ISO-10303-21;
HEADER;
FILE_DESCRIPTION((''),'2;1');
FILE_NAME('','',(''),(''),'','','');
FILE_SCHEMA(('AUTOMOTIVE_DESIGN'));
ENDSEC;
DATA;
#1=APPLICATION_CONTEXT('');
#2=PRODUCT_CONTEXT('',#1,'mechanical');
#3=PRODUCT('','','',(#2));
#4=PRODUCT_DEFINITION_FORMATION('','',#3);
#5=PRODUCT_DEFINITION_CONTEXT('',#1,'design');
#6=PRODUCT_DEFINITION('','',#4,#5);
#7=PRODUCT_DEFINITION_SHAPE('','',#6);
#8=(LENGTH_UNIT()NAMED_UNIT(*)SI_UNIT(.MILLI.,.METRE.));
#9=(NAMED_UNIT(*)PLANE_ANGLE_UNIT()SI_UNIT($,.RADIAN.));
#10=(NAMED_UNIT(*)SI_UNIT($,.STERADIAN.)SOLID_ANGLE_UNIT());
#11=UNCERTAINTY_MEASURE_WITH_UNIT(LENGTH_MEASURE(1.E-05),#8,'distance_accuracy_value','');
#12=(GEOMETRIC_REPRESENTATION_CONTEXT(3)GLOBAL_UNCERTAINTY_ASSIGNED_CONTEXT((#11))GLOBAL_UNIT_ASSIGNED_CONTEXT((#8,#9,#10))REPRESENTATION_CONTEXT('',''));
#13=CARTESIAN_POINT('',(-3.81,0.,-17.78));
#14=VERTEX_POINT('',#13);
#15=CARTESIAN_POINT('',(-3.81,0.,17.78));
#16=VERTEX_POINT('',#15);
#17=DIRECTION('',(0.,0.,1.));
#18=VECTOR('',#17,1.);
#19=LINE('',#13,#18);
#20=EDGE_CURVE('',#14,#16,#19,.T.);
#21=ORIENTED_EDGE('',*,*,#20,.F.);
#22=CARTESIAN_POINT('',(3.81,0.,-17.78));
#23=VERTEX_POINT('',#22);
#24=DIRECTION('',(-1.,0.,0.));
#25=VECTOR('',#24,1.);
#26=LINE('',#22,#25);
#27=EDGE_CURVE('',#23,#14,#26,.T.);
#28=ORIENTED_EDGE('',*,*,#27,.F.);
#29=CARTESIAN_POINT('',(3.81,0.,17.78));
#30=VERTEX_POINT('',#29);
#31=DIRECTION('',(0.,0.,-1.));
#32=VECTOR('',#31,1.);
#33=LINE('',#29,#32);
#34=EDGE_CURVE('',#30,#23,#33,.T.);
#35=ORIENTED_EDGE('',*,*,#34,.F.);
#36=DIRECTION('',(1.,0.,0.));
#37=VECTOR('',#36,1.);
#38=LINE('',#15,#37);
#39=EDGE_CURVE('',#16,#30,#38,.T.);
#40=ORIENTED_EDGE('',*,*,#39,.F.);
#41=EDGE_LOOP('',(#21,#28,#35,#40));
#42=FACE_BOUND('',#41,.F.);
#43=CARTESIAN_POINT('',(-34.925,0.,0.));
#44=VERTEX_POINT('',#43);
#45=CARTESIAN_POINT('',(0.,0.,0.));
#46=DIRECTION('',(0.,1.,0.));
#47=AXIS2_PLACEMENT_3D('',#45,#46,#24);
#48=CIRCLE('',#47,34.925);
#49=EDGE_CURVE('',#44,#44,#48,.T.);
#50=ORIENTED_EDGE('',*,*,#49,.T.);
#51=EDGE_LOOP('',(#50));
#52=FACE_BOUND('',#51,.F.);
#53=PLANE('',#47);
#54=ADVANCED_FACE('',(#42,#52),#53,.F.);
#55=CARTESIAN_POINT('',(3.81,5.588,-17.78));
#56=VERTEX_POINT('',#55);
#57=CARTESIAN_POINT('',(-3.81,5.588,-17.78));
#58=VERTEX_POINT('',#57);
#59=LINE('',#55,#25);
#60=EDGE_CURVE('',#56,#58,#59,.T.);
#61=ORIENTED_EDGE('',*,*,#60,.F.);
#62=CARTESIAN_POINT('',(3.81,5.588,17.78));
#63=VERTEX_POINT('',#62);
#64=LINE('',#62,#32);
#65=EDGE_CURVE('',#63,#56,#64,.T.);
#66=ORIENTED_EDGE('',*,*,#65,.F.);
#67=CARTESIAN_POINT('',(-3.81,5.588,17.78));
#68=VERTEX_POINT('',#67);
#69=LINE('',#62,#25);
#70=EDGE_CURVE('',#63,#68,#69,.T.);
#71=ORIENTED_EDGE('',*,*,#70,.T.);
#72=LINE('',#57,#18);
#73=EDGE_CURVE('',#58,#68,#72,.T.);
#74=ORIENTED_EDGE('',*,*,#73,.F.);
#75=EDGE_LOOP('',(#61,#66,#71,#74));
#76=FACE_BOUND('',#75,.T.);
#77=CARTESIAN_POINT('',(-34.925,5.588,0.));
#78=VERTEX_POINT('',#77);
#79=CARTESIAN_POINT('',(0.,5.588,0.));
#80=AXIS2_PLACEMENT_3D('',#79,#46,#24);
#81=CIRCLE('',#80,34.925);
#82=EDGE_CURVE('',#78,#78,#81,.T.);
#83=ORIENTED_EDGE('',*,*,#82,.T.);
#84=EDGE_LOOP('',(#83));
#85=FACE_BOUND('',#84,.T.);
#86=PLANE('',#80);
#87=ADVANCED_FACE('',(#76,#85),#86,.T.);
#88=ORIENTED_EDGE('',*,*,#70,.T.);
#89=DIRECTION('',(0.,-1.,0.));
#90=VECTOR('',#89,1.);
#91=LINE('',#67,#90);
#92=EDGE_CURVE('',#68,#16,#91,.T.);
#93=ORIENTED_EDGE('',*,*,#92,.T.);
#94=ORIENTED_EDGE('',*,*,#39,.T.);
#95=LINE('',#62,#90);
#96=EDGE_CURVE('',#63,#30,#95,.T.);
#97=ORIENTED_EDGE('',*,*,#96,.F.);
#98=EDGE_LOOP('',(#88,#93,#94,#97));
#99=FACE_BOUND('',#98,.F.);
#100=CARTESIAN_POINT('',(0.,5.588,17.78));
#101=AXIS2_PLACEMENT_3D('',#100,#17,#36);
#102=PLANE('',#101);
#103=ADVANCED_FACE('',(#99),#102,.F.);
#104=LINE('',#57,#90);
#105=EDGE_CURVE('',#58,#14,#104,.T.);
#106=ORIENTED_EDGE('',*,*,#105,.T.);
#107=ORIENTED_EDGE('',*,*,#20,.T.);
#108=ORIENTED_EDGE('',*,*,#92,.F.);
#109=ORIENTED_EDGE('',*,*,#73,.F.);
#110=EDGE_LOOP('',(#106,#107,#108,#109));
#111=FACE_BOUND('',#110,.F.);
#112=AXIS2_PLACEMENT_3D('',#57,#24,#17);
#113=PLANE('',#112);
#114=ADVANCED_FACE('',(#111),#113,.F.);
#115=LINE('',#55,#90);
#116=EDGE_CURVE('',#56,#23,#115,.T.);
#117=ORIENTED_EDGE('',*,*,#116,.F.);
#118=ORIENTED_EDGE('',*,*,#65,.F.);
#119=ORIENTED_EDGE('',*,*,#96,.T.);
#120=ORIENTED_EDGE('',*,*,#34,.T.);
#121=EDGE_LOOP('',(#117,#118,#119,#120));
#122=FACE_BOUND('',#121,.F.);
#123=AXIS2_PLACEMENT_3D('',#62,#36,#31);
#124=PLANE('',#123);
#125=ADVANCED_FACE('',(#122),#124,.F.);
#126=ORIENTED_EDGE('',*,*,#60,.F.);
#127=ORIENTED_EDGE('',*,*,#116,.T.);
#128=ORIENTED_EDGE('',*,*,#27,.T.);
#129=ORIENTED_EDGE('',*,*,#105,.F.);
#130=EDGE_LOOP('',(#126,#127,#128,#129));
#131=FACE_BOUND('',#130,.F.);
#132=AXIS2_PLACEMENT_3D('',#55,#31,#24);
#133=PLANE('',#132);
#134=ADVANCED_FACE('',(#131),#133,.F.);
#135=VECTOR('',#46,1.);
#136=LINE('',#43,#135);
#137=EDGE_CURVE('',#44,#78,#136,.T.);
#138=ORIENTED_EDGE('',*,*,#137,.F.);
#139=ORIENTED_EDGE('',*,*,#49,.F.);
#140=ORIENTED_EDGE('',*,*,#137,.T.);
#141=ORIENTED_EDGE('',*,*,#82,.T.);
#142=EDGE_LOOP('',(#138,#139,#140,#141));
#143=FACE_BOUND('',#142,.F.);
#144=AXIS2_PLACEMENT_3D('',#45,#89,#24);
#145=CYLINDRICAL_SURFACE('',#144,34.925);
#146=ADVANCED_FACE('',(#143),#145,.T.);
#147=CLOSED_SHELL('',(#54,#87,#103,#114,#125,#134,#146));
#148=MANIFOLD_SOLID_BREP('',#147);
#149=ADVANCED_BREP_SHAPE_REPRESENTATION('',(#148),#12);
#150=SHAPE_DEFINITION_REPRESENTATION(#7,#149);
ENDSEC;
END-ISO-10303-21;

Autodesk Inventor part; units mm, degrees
ref_plane "YZ Plane" through (0, 0, 0) normal (1, 0, 0) x (0, 1, 0)
ref_plane "XZ Plane" through (0, 0, 0) normal (0, 1, 0) x (-1, 0, 0)
ref_plane "XY Plane" through (0, 0, 0) normal (0, 0, 1) x (1, 0, 0)
sketch "Sketch1" plane through (0, 0, 0) normal (0, 1, 0) x (-1, 0, 0)
  circle A0 centre (0, 0) radius 34.925
  dimension "d0" = 69.85
extrude "Extrusion1" add sketch "Sketch1" along normal blind 5.588
sketch "Sketch2" plane through (0, 5.588, 0) normal (0, 1, 0) x (1, 0, 0)
  line L0 (0, 0) -> (0, -17.78)
  line L1 (0, -17.78) -> (-3.81, -17.78)
  line L2 (-3.81, -17.78) -> (3.81, -17.78)
  line L3 (3.81, -17.78) -> (3.81, 17.78)
  line L4 (3.81, 17.78) -> (-3.81, 17.78)
  line L5 (-3.81, 17.78) -> (-3.81, -17.78)
  dimension "d3" = 17.78
  dimension "d4" = 3.81
  dimension "d5" = 7.62
  dimension "d6" = 35.56
extrude "Extrusion2" cut sketch "Sketch2" against normal blind 5.588
properties part number "open2" material "Plastic, Transparent"
